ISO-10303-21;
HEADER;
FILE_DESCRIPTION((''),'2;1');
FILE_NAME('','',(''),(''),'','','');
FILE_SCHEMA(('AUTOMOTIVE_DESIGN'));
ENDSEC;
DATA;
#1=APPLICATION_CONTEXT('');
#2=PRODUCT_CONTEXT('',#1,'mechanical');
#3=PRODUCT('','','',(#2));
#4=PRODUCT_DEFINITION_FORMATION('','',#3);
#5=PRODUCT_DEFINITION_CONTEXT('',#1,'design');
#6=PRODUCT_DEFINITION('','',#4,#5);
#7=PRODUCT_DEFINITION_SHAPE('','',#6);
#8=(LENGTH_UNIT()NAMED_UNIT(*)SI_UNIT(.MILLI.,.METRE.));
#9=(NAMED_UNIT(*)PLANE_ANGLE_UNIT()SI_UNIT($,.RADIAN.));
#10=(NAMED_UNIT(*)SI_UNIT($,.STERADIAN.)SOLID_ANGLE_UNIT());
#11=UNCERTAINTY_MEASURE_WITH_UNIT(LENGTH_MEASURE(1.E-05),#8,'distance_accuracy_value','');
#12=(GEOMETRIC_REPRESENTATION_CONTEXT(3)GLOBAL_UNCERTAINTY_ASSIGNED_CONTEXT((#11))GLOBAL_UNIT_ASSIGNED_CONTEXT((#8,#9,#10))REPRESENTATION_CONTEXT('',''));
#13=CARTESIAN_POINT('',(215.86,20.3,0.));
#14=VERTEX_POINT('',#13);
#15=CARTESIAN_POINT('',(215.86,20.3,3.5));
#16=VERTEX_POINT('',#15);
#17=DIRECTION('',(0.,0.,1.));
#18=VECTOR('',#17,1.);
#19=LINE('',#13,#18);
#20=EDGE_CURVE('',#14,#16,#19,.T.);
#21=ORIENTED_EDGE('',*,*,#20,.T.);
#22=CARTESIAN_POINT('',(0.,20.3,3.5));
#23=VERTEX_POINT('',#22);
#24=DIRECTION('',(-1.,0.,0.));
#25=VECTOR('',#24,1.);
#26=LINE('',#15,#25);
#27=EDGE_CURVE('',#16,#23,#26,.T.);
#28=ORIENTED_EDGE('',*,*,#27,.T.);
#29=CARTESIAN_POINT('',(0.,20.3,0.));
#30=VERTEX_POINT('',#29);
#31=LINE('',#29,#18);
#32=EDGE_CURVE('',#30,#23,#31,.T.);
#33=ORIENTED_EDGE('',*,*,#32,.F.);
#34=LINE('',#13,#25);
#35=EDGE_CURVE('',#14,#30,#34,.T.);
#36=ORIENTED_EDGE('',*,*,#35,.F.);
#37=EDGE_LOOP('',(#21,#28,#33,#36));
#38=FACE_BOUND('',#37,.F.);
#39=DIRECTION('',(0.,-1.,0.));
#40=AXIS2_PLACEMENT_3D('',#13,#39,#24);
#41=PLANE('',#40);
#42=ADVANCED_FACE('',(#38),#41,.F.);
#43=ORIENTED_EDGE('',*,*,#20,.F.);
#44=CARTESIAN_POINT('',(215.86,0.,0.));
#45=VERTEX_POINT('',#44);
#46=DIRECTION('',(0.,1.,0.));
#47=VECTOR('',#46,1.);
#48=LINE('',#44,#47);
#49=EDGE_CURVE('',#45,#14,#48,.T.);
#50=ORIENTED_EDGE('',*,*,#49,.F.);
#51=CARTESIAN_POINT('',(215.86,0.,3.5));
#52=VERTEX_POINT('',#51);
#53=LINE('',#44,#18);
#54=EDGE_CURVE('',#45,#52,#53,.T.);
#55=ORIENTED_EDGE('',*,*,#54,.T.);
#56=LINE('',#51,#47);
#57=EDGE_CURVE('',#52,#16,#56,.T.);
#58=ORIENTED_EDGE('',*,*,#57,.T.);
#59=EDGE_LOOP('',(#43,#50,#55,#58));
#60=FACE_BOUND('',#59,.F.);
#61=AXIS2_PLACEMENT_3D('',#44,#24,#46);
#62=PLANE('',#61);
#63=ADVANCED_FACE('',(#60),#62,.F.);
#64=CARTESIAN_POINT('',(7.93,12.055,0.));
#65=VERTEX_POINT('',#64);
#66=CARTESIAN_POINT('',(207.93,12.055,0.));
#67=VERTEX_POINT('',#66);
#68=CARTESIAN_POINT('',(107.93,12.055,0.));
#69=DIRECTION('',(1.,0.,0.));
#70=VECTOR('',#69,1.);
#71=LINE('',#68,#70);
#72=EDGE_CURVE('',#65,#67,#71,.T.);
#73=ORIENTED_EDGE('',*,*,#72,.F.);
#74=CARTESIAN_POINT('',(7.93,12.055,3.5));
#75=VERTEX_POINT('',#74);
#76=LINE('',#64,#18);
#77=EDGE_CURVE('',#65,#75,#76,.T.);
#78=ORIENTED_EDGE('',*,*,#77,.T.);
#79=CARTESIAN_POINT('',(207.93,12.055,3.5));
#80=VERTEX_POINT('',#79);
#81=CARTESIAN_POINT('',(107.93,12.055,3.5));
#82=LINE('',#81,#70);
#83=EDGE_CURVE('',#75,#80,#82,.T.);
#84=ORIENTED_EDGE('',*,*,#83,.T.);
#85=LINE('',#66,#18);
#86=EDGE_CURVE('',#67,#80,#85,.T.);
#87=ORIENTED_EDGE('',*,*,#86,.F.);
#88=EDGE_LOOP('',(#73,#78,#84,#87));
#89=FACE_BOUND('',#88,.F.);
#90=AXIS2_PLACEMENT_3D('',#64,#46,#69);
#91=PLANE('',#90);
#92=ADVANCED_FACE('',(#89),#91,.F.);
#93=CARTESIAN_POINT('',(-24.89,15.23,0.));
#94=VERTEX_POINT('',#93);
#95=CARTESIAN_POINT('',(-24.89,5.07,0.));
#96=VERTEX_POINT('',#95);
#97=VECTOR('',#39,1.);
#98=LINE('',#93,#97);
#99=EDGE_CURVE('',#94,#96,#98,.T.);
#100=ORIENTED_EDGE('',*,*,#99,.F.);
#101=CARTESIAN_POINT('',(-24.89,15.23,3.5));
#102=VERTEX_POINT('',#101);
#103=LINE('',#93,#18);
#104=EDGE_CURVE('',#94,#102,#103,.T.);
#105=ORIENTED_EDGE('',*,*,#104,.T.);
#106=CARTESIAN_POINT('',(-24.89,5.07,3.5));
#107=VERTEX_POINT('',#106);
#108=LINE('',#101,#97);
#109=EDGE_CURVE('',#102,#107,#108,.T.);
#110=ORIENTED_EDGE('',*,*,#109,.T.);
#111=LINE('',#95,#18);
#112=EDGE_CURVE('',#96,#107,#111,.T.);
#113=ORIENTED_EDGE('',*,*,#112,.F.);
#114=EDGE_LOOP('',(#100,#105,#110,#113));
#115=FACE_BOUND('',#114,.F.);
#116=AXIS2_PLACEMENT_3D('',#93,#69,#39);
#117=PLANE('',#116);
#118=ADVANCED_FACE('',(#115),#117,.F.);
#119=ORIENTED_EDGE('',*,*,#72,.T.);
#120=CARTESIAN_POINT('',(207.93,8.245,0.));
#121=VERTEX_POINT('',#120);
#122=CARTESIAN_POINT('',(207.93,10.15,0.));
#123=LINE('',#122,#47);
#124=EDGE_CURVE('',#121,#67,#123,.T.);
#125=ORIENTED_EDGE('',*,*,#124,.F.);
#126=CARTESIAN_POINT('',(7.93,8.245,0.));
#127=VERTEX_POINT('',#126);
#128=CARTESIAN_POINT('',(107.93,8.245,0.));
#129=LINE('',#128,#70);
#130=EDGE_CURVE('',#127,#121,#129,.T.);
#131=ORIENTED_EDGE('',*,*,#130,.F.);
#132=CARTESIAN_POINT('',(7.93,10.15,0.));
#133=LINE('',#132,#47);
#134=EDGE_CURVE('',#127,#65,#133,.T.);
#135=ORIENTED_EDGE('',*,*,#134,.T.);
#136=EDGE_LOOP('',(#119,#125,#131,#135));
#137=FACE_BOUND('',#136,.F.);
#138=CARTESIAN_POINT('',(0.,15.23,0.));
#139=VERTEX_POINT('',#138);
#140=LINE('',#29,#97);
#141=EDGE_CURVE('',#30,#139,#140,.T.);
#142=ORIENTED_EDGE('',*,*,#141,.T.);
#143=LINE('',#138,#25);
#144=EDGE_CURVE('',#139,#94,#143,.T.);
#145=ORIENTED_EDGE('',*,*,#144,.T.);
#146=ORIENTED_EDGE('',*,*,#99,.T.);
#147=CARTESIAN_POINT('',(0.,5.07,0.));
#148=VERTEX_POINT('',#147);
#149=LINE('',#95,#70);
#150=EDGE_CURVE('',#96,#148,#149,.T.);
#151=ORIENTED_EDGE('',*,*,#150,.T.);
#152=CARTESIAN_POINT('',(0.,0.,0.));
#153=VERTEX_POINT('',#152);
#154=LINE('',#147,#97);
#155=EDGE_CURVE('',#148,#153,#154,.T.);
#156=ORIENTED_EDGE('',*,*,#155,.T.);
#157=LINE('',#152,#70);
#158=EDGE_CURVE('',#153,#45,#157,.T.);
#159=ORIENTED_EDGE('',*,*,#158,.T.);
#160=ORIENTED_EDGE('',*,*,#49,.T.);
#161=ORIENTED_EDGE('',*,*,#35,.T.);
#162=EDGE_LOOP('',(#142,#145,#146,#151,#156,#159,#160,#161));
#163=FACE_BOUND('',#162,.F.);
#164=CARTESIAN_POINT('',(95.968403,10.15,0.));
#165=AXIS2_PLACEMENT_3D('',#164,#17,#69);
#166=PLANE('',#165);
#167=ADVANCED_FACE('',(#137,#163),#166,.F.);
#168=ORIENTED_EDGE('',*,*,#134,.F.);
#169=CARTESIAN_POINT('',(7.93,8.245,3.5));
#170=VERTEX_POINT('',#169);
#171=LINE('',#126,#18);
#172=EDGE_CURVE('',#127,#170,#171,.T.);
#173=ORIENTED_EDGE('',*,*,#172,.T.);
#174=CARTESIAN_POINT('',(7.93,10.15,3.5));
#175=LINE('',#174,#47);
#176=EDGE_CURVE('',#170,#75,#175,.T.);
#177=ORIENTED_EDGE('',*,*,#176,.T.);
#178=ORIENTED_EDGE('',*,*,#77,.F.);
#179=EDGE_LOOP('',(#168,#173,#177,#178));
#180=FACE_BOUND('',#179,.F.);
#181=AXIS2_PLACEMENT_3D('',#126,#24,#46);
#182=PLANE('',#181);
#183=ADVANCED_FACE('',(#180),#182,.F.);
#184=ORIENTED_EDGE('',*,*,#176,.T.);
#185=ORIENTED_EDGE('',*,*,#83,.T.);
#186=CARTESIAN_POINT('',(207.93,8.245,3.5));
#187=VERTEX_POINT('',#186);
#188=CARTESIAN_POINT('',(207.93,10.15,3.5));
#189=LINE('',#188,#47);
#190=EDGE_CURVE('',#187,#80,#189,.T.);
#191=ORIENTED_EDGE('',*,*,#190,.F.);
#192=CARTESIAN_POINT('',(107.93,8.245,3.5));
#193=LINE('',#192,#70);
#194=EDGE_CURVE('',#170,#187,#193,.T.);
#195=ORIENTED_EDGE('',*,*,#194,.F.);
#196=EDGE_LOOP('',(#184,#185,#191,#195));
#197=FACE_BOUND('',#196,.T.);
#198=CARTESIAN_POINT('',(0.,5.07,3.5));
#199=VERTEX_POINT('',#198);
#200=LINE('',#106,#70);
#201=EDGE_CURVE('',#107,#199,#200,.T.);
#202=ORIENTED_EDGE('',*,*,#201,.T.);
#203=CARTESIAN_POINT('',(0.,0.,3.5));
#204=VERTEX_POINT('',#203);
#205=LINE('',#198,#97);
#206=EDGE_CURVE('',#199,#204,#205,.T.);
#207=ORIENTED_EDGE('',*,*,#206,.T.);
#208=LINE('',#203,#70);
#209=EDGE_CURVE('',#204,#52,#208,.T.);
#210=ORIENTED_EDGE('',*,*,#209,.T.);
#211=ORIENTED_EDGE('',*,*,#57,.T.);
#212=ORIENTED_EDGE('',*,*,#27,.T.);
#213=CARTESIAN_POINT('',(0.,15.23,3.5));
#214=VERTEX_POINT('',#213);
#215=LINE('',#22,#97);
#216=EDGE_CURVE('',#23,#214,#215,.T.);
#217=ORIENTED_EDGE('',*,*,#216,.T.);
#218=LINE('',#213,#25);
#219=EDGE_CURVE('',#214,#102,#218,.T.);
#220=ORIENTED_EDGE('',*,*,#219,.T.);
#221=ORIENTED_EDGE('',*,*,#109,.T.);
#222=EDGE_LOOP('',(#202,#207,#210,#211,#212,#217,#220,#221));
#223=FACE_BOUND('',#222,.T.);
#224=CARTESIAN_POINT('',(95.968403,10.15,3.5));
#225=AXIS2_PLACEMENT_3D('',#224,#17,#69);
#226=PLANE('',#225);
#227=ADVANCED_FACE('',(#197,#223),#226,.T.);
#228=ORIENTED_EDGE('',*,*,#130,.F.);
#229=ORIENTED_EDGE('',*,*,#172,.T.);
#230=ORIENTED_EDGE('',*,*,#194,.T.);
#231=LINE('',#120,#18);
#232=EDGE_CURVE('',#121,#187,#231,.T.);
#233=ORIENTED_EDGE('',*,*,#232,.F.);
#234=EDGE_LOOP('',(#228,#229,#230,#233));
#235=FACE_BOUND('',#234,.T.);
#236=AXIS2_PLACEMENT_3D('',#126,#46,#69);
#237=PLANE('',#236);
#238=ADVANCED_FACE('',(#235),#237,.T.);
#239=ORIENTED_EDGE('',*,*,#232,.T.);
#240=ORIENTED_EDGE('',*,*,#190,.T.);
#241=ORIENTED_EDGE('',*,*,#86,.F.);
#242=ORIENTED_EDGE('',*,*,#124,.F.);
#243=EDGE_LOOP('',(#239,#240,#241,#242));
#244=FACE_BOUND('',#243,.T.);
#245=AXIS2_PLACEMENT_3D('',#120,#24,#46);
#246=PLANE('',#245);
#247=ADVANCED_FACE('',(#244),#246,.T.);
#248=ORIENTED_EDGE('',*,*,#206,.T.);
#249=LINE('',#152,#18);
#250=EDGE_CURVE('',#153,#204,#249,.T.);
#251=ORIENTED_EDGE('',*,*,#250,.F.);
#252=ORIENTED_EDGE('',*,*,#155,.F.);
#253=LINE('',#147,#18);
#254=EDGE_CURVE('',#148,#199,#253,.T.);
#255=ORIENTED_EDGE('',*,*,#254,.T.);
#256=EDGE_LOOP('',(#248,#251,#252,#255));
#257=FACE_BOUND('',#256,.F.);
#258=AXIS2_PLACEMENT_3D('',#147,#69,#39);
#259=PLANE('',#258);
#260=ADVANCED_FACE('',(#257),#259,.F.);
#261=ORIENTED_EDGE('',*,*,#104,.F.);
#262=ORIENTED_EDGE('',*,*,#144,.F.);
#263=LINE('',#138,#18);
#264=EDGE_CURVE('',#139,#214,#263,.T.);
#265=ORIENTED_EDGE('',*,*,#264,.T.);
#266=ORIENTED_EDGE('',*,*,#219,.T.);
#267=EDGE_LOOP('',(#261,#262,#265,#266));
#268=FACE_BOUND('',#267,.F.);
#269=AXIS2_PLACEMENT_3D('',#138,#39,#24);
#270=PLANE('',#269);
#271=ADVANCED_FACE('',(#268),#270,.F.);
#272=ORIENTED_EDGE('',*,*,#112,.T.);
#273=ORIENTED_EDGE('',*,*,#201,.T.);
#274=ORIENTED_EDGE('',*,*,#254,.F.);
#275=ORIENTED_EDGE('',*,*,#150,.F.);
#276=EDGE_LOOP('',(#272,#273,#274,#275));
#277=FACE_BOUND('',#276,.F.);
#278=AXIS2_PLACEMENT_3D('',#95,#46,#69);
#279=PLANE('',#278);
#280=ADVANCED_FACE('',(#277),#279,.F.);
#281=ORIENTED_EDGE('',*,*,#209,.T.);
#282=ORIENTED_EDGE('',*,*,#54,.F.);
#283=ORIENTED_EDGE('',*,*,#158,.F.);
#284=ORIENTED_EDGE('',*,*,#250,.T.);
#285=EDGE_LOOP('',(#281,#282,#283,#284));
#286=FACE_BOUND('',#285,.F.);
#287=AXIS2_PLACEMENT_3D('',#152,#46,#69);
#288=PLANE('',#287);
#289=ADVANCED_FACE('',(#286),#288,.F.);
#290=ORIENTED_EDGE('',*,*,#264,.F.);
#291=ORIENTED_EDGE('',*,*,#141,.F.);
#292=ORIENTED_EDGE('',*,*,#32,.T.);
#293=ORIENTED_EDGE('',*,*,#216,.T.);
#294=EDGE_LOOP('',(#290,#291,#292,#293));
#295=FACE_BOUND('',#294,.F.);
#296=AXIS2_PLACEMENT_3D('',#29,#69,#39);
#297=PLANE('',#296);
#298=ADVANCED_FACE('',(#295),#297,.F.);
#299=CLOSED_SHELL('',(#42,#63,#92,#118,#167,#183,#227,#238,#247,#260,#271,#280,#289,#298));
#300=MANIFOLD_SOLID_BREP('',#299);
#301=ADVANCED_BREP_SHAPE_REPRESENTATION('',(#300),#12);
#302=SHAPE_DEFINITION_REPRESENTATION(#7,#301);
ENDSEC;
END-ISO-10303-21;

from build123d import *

# Parameters (mm, degrees)
SKETCH_W  = 200
SKETCH_H  = 3.81
PAD_DEPTH = 3.5


with BuildPart() as part:
    # Sketch → Pad (new body)
    with BuildSketch(Plane.XY):
        Polygon((0, 0), (215.86, 0), (215.86, 20.3), (0, 20.3), (0, 15.23), (-24.89, 15.23), (-24.89, 5.07), (0, 5.07), align=None)
        with Locations((107.93, 10.15)):
            Rectangle(SKETCH_W, SKETCH_H, mode=Mode.SUBTRACT)
    extrude(amount=PAD_DEPTH)


solid = part.part
